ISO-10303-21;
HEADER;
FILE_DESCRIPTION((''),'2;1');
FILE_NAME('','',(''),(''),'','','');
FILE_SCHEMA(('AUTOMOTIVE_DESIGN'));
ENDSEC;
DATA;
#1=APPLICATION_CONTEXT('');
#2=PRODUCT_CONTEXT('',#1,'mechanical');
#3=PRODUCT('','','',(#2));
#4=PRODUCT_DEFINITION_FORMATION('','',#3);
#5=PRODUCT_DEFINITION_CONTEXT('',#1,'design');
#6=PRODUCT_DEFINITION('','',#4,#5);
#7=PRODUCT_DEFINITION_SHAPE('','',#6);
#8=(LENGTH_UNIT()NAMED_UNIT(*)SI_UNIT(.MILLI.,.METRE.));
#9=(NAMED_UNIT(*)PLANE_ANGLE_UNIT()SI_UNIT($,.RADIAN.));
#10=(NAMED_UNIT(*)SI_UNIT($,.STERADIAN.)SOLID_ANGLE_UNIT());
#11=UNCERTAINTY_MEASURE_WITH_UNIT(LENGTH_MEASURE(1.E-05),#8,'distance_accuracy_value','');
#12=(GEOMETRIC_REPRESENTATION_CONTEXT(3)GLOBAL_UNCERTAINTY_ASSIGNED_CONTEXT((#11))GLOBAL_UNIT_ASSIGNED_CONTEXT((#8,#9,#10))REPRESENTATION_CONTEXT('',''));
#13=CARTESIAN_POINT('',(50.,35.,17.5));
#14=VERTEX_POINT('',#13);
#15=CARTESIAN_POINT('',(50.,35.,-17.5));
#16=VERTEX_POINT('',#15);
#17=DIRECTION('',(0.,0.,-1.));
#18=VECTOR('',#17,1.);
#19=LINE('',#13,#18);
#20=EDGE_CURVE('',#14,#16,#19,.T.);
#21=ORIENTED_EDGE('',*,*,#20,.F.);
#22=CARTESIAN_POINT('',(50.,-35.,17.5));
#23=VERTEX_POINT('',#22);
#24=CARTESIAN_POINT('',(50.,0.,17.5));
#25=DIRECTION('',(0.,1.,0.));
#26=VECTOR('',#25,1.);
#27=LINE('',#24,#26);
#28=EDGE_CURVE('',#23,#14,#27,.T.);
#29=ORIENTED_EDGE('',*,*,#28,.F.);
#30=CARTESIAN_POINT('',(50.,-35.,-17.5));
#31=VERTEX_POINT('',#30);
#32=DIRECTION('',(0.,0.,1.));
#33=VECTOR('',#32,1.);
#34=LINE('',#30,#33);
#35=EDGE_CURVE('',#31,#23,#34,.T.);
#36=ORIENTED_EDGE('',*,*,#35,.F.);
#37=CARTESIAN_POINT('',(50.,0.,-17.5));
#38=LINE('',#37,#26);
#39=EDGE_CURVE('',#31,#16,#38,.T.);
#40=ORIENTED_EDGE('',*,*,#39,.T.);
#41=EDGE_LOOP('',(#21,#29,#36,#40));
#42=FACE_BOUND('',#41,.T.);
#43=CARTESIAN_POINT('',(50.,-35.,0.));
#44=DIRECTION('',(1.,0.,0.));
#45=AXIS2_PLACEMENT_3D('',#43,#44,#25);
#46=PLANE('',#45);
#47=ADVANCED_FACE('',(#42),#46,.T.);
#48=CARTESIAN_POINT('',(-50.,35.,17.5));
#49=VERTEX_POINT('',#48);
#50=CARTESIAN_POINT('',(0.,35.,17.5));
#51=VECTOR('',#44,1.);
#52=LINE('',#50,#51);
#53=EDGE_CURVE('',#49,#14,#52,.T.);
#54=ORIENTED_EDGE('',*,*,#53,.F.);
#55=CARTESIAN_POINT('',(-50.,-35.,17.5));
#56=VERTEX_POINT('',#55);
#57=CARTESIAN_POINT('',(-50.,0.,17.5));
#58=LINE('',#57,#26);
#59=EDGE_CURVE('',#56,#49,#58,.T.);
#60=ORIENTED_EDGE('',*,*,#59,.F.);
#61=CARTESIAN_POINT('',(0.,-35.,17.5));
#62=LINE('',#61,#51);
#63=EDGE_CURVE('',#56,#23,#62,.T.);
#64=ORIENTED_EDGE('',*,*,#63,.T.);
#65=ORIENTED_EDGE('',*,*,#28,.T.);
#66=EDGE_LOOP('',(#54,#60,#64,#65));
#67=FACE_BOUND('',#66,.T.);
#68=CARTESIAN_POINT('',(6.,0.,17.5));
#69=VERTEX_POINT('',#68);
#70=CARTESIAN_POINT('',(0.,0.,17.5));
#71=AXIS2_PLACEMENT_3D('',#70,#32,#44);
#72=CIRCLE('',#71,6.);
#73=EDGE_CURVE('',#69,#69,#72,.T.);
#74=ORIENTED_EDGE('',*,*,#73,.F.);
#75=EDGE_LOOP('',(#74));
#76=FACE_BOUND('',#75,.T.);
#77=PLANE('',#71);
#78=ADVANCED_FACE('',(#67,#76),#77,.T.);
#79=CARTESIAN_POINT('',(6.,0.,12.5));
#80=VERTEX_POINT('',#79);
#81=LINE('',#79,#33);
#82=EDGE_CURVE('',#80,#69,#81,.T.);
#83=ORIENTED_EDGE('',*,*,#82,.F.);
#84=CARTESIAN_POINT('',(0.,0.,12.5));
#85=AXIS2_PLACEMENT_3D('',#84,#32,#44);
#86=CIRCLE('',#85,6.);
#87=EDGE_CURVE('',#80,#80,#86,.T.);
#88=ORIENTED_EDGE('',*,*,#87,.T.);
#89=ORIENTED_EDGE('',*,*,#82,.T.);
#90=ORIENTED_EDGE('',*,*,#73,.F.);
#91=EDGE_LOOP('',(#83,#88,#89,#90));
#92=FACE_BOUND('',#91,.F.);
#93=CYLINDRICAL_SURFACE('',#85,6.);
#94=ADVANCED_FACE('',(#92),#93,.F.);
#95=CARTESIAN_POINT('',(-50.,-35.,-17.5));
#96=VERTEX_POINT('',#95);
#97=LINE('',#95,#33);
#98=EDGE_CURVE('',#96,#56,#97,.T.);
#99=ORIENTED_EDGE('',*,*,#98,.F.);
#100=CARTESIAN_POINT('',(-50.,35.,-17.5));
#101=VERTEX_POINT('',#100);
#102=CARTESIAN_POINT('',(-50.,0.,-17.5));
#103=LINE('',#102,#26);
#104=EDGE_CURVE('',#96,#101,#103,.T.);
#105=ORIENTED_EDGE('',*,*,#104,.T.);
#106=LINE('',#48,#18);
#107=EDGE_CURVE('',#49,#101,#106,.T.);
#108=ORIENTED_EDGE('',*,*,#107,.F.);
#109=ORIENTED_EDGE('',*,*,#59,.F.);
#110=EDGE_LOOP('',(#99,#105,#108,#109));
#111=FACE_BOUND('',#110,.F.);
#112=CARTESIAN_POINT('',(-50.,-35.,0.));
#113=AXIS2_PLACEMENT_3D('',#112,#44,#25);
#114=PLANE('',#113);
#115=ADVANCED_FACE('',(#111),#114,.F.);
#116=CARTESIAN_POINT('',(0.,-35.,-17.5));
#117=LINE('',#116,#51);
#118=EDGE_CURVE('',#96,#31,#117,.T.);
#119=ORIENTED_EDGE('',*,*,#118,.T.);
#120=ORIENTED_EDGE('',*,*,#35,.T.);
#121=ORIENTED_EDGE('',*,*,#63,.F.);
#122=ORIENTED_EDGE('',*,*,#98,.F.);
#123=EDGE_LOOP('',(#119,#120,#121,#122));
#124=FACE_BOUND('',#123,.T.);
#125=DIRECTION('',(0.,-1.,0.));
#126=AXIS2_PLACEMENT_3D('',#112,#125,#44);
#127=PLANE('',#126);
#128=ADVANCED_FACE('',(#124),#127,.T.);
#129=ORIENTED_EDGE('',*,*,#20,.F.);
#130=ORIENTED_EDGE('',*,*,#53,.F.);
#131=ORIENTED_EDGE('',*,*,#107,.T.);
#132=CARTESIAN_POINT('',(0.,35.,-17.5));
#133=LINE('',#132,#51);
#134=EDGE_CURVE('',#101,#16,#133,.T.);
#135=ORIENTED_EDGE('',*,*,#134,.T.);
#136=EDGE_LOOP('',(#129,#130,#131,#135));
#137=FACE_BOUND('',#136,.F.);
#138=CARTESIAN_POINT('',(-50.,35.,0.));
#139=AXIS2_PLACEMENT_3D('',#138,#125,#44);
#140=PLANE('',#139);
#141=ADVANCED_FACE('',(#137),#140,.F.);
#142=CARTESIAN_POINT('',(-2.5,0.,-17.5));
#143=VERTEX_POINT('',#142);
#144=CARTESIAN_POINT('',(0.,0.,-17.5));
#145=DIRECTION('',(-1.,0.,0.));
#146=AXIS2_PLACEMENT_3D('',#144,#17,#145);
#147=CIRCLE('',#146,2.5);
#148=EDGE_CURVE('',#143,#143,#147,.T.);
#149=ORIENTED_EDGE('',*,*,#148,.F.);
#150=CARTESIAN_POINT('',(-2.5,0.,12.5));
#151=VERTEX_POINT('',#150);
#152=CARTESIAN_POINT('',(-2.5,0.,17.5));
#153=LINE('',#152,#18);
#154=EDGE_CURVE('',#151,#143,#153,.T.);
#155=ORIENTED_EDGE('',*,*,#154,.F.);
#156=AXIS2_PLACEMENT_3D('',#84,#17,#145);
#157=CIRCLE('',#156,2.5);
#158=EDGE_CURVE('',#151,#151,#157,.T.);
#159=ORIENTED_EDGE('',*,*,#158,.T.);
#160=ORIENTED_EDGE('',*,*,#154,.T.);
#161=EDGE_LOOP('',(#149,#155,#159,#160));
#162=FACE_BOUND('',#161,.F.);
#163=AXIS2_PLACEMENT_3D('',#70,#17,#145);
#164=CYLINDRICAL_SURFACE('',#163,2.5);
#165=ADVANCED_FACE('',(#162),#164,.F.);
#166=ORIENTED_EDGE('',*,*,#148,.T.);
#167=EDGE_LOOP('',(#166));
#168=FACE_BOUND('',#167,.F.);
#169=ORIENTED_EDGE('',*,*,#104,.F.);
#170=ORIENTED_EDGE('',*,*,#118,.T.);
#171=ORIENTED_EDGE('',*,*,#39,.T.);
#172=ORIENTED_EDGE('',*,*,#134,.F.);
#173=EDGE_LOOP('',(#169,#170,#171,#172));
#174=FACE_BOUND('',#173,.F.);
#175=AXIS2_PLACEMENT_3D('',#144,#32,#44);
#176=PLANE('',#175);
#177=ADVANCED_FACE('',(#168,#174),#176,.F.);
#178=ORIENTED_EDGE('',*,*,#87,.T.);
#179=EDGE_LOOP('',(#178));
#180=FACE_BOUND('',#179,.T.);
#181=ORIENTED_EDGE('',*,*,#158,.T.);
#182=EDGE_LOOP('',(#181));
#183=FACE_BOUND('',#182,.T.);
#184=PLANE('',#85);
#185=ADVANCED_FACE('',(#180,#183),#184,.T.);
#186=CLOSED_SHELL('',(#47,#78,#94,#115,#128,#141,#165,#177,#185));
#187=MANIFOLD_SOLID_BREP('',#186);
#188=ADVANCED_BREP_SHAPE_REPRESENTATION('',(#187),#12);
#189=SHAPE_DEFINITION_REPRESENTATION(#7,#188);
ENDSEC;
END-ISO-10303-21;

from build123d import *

# Parameters (mm, degrees)
F0_W           = 100
F0_H           = 70
F1_DEPTH       = 17.5
F3_D           = 5
F3_CBORE_D     = 12
F3_CBORE_DEPTH = 5


with BuildPart() as f1:
    # F0 (on Top) → F1 (new body, symmetric)
    with BuildSketch(Plane.XY):
        Rectangle(F0_W, F0_H)
    extrude(amount=F1_DEPTH, both=True)

    # F3 (through all)
    with Locations(Plane.XY.offset(17.5)):
        with Locations((0, 0)):
            CounterBoreHole(F3_D / 2, F3_CBORE_D / 2, F3_CBORE_DEPTH)


solid = f1.part
